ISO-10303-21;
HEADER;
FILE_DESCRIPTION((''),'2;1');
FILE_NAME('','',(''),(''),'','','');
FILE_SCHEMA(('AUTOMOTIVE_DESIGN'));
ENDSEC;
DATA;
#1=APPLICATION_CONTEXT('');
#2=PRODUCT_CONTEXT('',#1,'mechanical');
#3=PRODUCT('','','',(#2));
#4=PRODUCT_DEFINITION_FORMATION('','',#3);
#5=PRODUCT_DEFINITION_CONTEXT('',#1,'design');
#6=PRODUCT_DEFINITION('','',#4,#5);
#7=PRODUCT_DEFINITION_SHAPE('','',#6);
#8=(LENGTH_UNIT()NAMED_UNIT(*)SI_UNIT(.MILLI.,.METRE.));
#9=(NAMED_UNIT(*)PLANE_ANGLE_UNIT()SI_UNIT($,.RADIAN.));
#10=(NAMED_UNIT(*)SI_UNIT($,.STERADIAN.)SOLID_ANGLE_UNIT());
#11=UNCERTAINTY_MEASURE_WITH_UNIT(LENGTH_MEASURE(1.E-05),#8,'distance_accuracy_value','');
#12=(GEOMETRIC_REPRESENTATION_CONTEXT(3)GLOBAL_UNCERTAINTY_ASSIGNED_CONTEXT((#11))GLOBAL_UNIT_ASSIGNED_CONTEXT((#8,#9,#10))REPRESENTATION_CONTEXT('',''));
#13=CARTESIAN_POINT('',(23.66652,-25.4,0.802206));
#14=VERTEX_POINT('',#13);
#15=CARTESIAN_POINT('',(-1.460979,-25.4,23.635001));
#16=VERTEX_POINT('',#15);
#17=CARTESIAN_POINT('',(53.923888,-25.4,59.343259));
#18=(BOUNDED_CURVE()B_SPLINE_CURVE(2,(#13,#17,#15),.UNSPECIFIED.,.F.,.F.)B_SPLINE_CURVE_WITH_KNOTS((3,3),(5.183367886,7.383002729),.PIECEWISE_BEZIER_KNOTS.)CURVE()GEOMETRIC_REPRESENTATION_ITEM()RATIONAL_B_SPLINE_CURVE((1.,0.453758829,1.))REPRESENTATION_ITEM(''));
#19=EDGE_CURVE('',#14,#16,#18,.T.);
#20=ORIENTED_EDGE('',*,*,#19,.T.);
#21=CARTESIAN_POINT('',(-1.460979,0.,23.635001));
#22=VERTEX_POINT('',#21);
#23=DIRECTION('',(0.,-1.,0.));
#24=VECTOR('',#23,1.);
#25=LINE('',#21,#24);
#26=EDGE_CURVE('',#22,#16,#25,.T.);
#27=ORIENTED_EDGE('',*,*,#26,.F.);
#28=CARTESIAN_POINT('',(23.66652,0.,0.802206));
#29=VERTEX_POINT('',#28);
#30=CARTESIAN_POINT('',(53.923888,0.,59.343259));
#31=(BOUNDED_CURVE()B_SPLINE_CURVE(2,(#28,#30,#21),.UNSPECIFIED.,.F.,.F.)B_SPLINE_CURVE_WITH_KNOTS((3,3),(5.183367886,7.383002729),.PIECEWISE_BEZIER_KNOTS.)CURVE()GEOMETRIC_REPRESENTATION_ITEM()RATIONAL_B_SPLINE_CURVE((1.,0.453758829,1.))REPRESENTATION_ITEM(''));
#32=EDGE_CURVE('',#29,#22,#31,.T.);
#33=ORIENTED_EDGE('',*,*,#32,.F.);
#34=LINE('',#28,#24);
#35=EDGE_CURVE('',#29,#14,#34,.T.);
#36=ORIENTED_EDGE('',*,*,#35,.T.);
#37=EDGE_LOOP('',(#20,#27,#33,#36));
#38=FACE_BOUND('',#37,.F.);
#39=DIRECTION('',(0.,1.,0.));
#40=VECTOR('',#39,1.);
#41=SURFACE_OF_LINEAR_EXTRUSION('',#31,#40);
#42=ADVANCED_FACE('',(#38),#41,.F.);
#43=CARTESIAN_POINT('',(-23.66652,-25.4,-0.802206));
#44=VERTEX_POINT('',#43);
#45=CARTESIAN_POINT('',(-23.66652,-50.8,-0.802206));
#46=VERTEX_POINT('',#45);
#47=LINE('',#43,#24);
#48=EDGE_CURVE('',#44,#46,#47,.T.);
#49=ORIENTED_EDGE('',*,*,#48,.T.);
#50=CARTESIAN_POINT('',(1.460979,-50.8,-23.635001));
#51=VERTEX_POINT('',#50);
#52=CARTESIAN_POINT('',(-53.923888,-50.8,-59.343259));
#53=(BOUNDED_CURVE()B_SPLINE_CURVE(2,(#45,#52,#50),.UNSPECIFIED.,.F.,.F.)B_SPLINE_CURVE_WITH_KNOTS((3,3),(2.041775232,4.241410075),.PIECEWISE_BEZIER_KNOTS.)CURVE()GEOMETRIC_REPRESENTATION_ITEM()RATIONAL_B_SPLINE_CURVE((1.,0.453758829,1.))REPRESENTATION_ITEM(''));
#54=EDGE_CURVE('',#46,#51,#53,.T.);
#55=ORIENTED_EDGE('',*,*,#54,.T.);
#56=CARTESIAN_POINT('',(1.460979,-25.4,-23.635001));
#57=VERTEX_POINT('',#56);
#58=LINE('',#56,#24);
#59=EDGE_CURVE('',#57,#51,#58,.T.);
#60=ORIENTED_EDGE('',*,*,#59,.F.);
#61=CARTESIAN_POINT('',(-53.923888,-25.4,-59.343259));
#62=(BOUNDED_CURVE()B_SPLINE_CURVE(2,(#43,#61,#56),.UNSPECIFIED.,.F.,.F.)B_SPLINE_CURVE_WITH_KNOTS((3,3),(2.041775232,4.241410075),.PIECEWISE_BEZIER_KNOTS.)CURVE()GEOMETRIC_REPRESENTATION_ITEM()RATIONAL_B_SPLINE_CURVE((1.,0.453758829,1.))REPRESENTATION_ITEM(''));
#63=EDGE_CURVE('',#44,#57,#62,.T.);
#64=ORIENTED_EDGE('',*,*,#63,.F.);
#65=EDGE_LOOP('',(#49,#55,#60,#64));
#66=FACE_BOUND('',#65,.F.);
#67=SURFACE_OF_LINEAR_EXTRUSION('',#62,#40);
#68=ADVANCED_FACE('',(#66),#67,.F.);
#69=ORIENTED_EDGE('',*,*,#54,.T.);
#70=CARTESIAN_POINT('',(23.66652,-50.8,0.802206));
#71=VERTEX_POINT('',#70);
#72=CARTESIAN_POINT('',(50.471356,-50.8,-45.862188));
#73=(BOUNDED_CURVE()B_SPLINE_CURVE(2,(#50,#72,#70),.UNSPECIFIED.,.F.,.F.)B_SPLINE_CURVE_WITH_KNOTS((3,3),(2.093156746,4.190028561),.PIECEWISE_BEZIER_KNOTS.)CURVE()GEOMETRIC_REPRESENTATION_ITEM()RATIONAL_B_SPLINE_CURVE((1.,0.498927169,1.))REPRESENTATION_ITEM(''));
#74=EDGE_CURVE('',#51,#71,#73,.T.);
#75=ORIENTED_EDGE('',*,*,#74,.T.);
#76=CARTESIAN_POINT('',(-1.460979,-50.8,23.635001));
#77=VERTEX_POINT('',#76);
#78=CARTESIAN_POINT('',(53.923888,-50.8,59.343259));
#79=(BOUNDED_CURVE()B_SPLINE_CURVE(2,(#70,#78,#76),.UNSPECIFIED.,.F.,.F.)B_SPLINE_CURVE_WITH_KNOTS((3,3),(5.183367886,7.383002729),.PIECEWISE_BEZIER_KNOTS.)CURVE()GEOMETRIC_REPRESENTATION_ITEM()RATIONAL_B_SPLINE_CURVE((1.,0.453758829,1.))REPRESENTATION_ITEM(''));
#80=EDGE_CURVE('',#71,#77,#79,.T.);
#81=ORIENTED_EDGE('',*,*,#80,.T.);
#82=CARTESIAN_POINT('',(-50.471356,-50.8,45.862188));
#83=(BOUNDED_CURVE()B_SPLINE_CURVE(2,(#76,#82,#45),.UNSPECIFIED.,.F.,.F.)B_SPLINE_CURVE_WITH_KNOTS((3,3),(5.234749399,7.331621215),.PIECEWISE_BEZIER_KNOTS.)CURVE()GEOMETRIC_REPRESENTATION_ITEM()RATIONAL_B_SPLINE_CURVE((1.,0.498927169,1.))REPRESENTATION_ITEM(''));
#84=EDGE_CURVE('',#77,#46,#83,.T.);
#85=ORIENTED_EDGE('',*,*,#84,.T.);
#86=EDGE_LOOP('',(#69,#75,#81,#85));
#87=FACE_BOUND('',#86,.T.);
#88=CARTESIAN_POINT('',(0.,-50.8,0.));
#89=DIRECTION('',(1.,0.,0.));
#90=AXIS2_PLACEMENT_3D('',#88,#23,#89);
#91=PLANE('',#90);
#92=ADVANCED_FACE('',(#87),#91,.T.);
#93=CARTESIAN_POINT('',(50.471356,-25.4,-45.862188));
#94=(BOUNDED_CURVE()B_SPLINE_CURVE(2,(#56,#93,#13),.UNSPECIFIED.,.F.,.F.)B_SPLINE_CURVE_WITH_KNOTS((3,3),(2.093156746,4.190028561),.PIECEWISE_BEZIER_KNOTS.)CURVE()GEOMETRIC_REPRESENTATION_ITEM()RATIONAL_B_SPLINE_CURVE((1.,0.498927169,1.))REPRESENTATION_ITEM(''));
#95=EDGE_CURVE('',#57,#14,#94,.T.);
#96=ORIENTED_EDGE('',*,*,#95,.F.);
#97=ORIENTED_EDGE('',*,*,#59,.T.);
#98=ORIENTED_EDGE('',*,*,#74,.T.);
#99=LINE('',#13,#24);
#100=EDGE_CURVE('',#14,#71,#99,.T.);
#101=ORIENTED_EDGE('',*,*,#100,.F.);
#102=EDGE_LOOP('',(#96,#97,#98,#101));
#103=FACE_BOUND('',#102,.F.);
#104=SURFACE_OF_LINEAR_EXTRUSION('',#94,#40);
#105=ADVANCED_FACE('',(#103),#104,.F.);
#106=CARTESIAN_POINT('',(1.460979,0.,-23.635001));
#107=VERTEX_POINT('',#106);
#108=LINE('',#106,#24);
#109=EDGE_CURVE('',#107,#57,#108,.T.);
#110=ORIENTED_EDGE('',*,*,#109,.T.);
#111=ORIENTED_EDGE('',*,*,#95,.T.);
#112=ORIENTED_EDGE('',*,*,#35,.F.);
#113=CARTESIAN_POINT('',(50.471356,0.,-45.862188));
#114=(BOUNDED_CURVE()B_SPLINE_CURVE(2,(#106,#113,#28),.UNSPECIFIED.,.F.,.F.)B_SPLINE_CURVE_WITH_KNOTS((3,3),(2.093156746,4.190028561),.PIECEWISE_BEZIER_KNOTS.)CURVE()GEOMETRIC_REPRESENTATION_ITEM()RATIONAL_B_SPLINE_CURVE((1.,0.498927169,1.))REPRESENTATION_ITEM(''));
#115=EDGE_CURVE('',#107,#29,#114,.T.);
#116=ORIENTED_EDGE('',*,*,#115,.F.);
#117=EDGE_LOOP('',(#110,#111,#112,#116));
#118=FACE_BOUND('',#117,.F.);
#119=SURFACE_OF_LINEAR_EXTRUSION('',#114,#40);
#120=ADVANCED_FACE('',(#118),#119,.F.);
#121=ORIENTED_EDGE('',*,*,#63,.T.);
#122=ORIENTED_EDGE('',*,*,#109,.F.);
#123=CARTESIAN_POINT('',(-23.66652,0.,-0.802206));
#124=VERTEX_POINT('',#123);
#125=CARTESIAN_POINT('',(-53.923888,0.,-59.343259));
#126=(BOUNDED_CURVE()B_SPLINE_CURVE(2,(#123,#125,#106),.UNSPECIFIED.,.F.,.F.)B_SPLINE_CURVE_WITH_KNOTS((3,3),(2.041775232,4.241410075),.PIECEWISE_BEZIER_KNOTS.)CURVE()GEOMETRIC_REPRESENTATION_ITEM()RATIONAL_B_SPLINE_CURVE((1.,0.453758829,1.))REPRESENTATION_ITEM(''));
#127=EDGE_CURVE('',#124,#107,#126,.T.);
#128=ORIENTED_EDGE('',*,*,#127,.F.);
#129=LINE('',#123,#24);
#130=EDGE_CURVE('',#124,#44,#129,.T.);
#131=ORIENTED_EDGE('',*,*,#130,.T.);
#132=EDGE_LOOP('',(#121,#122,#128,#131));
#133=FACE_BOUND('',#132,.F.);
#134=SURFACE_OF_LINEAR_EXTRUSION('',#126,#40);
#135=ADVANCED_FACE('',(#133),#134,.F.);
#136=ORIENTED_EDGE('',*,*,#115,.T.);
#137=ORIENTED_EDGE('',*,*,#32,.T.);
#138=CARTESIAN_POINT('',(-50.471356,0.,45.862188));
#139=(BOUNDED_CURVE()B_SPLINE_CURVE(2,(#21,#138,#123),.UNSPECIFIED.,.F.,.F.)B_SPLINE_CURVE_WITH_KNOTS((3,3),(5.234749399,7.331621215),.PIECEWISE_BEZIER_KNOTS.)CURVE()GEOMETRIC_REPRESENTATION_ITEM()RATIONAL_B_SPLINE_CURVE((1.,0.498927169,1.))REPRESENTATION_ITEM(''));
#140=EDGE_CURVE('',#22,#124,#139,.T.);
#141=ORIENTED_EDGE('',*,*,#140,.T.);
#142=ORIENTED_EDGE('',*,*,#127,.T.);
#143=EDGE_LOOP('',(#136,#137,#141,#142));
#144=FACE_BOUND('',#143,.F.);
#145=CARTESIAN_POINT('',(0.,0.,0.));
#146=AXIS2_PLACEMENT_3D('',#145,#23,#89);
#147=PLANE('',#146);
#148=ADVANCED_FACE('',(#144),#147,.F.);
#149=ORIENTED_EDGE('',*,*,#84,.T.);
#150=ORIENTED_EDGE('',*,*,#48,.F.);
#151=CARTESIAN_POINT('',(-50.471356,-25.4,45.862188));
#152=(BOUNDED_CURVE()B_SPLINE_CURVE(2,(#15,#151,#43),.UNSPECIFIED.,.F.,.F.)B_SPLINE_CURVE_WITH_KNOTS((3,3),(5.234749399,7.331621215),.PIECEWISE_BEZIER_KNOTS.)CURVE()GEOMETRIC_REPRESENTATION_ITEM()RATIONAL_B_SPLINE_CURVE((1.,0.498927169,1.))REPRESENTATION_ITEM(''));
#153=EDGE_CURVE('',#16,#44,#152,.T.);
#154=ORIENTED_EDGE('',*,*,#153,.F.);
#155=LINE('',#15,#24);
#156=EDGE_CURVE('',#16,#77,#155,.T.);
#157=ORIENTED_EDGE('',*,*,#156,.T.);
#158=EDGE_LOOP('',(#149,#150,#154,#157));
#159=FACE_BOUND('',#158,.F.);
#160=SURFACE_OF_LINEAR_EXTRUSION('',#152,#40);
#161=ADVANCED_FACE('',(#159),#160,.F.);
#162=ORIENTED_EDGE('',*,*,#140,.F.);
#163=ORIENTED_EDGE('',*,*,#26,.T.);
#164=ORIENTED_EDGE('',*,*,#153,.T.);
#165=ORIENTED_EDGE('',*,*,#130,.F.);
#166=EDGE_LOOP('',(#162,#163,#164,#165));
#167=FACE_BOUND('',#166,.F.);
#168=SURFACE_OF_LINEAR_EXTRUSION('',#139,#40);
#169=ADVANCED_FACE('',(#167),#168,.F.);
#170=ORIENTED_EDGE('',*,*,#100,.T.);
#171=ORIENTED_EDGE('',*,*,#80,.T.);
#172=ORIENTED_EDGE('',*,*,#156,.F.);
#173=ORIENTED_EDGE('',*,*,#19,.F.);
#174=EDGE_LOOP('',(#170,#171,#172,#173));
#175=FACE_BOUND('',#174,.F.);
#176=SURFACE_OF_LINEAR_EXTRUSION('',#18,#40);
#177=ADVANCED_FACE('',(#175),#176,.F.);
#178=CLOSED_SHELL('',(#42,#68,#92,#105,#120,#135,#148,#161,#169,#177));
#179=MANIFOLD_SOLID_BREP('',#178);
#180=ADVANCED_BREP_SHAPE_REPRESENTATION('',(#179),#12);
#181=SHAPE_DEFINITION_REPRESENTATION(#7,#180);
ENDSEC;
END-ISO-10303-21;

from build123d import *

# Parameters (mm, degrees)
F1_DEPTH = 25.4
F2_DEPTH = 25.4


with BuildPart() as f1:
    # F0 (on Front) → F1 (new body)
    with BuildSketch(Plane.XZ):
        with BuildLine():
            add(Edge.make_bspline(
                [(-1.4609789771, 23.6350009012), (-50.4713556046, 45.8621879662), (-23.6665204981, -0.8022061358)],
                knots=[5.2347493994, 5.2347493994, 5.2347493994, 7.331621215, 7.331621215, 7.331621215], degree=2, weights=[1, 0.4989271686, 1]))
            add(Edge.make_bspline(
                [(-23.6665204981, -0.8022061358), (-53.9238877001, -59.3432592816), (1.4609789771, -23.6350009012)],
                knots=[2.0417752323, 2.0417752323, 2.0417752323, 4.2414100749, 4.2414100749, 4.2414100749], degree=2, weights=[1, 0.4537588293, 1]))
            add(Edge.make_bspline(
                [(1.4609789771, -23.6350009012), (50.4713556046, -45.8621879662), (23.6665204981, 0.8022061358)],
                knots=[2.0931567458, 2.0931567458, 2.0931567458, 4.1900285614, 4.1900285614, 4.1900285614], degree=2, weights=[1, 0.4989271686, 1]))
            add(Edge.make_bspline(
                [(23.6665204981, 0.8022061358), (53.9238877001, 59.3432592816), (-1.4609789771, 23.6350009012)],
                knots=[5.1833678859, 5.1833678859, 5.1833678859, 7.3830027285, 7.3830027285, 7.3830027285], degree=2, weights=[1, 0.4537588293, 1]))
        make_face()
    extrude(amount=F1_DEPTH)

    # F2 (add): a face of the model
    f2_faces = [f1.faces().sort_by_distance(p)[0] for p in [
        (0, -25.4, -8.7174e-06),
    ]]
    extrude(f2_faces, amount=F2_DEPTH)


solid = f1.part
